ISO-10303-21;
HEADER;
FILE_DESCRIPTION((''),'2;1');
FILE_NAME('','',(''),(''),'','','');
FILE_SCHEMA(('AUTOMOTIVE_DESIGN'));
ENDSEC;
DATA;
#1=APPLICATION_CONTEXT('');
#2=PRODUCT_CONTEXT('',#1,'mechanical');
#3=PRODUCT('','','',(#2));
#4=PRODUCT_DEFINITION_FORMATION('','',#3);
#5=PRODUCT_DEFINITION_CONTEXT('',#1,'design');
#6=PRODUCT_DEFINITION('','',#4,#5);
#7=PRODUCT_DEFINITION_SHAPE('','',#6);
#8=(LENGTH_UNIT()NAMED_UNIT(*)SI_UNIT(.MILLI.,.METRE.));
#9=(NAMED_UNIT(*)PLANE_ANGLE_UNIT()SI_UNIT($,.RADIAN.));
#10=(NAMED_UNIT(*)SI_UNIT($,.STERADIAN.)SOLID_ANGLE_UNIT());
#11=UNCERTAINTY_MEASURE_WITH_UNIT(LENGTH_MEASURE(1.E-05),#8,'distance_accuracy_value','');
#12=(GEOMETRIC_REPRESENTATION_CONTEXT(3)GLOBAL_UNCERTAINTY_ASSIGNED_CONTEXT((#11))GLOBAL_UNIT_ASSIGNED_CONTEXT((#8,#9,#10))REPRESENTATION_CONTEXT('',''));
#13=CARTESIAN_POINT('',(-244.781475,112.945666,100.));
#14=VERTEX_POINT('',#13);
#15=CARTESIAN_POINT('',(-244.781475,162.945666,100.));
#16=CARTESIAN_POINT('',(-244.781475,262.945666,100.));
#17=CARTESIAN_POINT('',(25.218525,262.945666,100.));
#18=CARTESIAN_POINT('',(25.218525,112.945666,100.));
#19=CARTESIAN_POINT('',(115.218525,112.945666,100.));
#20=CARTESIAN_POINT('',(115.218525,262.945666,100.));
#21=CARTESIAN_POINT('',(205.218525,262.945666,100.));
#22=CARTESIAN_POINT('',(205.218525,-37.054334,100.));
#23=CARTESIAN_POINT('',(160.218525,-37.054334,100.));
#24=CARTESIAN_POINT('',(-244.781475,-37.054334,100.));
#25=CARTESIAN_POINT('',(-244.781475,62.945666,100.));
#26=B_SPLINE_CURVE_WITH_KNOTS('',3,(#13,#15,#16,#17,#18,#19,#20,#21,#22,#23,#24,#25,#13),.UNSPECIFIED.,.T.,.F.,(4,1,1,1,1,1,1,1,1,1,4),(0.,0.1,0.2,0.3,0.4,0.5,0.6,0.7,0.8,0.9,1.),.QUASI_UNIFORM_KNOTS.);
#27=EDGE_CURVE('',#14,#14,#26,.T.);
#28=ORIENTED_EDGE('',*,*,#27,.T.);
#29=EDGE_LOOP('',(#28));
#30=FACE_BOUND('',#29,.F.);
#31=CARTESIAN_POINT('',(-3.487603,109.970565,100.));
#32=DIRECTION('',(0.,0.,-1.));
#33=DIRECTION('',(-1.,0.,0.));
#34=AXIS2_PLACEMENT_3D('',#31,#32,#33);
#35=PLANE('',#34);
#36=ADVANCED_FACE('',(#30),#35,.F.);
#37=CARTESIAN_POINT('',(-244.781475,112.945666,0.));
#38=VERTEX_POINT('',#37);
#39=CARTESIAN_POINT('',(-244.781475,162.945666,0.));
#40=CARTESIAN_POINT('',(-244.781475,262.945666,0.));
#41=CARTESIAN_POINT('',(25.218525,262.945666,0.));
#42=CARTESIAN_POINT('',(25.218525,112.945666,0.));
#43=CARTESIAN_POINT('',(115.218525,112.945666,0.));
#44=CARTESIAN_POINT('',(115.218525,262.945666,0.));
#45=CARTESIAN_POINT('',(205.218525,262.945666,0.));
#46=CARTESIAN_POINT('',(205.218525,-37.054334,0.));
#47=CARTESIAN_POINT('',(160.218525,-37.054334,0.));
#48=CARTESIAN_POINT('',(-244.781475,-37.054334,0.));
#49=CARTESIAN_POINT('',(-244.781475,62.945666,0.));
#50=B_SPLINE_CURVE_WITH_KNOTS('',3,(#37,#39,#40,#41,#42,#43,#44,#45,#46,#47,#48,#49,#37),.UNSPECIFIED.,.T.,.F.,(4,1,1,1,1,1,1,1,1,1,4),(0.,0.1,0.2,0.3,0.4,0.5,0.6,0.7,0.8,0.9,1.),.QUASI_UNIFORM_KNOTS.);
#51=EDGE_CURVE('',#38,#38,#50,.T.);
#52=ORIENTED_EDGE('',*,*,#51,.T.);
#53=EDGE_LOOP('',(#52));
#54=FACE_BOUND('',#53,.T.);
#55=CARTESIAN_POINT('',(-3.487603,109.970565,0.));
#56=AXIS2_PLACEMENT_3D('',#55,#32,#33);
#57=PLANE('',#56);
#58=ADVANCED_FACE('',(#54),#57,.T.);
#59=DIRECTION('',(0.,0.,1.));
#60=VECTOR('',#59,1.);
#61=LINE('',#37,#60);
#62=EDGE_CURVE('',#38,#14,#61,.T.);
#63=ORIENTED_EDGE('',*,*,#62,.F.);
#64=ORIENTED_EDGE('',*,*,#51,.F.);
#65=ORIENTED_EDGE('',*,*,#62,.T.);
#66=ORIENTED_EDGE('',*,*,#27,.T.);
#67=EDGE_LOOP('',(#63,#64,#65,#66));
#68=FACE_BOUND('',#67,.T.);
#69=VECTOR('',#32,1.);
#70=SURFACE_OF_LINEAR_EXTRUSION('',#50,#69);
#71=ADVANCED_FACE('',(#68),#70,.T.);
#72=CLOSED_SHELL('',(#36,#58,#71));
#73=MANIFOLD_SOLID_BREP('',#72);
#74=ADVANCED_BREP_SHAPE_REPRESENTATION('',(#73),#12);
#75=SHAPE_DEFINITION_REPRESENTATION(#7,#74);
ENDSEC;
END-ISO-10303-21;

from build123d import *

# Parameters (mm, degrees)
PAD_DEPTH = 100


with BuildPart() as part:
    # Sketch → Pad (new body)
    with BuildSketch(Plane.XY):
        with BuildLine():
            add(Edge.make_bspline(
                [(-244.781475, 112.945666), (-244.781475, 162.945666), (-244.781475, 262.945666), (25.218525, 262.945666), (25.218525, 112.945666), (115.218525, 112.945666), (115.218525, 262.945666), (205.218525, 262.945666), (205.218525, -37.054334), (160.218525, -37.054334), (-244.781475, -37.054334), (-244.781475, 62.945666), (-244.781475, 112.945666)],
                knots=[0, 0, 0, 0, 0.1, 0.2, 0.3, 0.4, 0.5, 0.6, 0.7, 0.8, 0.9, 1, 1, 1, 1], degree=3))
        make_face()
    extrude(amount=PAD_DEPTH)


solid = part.part
